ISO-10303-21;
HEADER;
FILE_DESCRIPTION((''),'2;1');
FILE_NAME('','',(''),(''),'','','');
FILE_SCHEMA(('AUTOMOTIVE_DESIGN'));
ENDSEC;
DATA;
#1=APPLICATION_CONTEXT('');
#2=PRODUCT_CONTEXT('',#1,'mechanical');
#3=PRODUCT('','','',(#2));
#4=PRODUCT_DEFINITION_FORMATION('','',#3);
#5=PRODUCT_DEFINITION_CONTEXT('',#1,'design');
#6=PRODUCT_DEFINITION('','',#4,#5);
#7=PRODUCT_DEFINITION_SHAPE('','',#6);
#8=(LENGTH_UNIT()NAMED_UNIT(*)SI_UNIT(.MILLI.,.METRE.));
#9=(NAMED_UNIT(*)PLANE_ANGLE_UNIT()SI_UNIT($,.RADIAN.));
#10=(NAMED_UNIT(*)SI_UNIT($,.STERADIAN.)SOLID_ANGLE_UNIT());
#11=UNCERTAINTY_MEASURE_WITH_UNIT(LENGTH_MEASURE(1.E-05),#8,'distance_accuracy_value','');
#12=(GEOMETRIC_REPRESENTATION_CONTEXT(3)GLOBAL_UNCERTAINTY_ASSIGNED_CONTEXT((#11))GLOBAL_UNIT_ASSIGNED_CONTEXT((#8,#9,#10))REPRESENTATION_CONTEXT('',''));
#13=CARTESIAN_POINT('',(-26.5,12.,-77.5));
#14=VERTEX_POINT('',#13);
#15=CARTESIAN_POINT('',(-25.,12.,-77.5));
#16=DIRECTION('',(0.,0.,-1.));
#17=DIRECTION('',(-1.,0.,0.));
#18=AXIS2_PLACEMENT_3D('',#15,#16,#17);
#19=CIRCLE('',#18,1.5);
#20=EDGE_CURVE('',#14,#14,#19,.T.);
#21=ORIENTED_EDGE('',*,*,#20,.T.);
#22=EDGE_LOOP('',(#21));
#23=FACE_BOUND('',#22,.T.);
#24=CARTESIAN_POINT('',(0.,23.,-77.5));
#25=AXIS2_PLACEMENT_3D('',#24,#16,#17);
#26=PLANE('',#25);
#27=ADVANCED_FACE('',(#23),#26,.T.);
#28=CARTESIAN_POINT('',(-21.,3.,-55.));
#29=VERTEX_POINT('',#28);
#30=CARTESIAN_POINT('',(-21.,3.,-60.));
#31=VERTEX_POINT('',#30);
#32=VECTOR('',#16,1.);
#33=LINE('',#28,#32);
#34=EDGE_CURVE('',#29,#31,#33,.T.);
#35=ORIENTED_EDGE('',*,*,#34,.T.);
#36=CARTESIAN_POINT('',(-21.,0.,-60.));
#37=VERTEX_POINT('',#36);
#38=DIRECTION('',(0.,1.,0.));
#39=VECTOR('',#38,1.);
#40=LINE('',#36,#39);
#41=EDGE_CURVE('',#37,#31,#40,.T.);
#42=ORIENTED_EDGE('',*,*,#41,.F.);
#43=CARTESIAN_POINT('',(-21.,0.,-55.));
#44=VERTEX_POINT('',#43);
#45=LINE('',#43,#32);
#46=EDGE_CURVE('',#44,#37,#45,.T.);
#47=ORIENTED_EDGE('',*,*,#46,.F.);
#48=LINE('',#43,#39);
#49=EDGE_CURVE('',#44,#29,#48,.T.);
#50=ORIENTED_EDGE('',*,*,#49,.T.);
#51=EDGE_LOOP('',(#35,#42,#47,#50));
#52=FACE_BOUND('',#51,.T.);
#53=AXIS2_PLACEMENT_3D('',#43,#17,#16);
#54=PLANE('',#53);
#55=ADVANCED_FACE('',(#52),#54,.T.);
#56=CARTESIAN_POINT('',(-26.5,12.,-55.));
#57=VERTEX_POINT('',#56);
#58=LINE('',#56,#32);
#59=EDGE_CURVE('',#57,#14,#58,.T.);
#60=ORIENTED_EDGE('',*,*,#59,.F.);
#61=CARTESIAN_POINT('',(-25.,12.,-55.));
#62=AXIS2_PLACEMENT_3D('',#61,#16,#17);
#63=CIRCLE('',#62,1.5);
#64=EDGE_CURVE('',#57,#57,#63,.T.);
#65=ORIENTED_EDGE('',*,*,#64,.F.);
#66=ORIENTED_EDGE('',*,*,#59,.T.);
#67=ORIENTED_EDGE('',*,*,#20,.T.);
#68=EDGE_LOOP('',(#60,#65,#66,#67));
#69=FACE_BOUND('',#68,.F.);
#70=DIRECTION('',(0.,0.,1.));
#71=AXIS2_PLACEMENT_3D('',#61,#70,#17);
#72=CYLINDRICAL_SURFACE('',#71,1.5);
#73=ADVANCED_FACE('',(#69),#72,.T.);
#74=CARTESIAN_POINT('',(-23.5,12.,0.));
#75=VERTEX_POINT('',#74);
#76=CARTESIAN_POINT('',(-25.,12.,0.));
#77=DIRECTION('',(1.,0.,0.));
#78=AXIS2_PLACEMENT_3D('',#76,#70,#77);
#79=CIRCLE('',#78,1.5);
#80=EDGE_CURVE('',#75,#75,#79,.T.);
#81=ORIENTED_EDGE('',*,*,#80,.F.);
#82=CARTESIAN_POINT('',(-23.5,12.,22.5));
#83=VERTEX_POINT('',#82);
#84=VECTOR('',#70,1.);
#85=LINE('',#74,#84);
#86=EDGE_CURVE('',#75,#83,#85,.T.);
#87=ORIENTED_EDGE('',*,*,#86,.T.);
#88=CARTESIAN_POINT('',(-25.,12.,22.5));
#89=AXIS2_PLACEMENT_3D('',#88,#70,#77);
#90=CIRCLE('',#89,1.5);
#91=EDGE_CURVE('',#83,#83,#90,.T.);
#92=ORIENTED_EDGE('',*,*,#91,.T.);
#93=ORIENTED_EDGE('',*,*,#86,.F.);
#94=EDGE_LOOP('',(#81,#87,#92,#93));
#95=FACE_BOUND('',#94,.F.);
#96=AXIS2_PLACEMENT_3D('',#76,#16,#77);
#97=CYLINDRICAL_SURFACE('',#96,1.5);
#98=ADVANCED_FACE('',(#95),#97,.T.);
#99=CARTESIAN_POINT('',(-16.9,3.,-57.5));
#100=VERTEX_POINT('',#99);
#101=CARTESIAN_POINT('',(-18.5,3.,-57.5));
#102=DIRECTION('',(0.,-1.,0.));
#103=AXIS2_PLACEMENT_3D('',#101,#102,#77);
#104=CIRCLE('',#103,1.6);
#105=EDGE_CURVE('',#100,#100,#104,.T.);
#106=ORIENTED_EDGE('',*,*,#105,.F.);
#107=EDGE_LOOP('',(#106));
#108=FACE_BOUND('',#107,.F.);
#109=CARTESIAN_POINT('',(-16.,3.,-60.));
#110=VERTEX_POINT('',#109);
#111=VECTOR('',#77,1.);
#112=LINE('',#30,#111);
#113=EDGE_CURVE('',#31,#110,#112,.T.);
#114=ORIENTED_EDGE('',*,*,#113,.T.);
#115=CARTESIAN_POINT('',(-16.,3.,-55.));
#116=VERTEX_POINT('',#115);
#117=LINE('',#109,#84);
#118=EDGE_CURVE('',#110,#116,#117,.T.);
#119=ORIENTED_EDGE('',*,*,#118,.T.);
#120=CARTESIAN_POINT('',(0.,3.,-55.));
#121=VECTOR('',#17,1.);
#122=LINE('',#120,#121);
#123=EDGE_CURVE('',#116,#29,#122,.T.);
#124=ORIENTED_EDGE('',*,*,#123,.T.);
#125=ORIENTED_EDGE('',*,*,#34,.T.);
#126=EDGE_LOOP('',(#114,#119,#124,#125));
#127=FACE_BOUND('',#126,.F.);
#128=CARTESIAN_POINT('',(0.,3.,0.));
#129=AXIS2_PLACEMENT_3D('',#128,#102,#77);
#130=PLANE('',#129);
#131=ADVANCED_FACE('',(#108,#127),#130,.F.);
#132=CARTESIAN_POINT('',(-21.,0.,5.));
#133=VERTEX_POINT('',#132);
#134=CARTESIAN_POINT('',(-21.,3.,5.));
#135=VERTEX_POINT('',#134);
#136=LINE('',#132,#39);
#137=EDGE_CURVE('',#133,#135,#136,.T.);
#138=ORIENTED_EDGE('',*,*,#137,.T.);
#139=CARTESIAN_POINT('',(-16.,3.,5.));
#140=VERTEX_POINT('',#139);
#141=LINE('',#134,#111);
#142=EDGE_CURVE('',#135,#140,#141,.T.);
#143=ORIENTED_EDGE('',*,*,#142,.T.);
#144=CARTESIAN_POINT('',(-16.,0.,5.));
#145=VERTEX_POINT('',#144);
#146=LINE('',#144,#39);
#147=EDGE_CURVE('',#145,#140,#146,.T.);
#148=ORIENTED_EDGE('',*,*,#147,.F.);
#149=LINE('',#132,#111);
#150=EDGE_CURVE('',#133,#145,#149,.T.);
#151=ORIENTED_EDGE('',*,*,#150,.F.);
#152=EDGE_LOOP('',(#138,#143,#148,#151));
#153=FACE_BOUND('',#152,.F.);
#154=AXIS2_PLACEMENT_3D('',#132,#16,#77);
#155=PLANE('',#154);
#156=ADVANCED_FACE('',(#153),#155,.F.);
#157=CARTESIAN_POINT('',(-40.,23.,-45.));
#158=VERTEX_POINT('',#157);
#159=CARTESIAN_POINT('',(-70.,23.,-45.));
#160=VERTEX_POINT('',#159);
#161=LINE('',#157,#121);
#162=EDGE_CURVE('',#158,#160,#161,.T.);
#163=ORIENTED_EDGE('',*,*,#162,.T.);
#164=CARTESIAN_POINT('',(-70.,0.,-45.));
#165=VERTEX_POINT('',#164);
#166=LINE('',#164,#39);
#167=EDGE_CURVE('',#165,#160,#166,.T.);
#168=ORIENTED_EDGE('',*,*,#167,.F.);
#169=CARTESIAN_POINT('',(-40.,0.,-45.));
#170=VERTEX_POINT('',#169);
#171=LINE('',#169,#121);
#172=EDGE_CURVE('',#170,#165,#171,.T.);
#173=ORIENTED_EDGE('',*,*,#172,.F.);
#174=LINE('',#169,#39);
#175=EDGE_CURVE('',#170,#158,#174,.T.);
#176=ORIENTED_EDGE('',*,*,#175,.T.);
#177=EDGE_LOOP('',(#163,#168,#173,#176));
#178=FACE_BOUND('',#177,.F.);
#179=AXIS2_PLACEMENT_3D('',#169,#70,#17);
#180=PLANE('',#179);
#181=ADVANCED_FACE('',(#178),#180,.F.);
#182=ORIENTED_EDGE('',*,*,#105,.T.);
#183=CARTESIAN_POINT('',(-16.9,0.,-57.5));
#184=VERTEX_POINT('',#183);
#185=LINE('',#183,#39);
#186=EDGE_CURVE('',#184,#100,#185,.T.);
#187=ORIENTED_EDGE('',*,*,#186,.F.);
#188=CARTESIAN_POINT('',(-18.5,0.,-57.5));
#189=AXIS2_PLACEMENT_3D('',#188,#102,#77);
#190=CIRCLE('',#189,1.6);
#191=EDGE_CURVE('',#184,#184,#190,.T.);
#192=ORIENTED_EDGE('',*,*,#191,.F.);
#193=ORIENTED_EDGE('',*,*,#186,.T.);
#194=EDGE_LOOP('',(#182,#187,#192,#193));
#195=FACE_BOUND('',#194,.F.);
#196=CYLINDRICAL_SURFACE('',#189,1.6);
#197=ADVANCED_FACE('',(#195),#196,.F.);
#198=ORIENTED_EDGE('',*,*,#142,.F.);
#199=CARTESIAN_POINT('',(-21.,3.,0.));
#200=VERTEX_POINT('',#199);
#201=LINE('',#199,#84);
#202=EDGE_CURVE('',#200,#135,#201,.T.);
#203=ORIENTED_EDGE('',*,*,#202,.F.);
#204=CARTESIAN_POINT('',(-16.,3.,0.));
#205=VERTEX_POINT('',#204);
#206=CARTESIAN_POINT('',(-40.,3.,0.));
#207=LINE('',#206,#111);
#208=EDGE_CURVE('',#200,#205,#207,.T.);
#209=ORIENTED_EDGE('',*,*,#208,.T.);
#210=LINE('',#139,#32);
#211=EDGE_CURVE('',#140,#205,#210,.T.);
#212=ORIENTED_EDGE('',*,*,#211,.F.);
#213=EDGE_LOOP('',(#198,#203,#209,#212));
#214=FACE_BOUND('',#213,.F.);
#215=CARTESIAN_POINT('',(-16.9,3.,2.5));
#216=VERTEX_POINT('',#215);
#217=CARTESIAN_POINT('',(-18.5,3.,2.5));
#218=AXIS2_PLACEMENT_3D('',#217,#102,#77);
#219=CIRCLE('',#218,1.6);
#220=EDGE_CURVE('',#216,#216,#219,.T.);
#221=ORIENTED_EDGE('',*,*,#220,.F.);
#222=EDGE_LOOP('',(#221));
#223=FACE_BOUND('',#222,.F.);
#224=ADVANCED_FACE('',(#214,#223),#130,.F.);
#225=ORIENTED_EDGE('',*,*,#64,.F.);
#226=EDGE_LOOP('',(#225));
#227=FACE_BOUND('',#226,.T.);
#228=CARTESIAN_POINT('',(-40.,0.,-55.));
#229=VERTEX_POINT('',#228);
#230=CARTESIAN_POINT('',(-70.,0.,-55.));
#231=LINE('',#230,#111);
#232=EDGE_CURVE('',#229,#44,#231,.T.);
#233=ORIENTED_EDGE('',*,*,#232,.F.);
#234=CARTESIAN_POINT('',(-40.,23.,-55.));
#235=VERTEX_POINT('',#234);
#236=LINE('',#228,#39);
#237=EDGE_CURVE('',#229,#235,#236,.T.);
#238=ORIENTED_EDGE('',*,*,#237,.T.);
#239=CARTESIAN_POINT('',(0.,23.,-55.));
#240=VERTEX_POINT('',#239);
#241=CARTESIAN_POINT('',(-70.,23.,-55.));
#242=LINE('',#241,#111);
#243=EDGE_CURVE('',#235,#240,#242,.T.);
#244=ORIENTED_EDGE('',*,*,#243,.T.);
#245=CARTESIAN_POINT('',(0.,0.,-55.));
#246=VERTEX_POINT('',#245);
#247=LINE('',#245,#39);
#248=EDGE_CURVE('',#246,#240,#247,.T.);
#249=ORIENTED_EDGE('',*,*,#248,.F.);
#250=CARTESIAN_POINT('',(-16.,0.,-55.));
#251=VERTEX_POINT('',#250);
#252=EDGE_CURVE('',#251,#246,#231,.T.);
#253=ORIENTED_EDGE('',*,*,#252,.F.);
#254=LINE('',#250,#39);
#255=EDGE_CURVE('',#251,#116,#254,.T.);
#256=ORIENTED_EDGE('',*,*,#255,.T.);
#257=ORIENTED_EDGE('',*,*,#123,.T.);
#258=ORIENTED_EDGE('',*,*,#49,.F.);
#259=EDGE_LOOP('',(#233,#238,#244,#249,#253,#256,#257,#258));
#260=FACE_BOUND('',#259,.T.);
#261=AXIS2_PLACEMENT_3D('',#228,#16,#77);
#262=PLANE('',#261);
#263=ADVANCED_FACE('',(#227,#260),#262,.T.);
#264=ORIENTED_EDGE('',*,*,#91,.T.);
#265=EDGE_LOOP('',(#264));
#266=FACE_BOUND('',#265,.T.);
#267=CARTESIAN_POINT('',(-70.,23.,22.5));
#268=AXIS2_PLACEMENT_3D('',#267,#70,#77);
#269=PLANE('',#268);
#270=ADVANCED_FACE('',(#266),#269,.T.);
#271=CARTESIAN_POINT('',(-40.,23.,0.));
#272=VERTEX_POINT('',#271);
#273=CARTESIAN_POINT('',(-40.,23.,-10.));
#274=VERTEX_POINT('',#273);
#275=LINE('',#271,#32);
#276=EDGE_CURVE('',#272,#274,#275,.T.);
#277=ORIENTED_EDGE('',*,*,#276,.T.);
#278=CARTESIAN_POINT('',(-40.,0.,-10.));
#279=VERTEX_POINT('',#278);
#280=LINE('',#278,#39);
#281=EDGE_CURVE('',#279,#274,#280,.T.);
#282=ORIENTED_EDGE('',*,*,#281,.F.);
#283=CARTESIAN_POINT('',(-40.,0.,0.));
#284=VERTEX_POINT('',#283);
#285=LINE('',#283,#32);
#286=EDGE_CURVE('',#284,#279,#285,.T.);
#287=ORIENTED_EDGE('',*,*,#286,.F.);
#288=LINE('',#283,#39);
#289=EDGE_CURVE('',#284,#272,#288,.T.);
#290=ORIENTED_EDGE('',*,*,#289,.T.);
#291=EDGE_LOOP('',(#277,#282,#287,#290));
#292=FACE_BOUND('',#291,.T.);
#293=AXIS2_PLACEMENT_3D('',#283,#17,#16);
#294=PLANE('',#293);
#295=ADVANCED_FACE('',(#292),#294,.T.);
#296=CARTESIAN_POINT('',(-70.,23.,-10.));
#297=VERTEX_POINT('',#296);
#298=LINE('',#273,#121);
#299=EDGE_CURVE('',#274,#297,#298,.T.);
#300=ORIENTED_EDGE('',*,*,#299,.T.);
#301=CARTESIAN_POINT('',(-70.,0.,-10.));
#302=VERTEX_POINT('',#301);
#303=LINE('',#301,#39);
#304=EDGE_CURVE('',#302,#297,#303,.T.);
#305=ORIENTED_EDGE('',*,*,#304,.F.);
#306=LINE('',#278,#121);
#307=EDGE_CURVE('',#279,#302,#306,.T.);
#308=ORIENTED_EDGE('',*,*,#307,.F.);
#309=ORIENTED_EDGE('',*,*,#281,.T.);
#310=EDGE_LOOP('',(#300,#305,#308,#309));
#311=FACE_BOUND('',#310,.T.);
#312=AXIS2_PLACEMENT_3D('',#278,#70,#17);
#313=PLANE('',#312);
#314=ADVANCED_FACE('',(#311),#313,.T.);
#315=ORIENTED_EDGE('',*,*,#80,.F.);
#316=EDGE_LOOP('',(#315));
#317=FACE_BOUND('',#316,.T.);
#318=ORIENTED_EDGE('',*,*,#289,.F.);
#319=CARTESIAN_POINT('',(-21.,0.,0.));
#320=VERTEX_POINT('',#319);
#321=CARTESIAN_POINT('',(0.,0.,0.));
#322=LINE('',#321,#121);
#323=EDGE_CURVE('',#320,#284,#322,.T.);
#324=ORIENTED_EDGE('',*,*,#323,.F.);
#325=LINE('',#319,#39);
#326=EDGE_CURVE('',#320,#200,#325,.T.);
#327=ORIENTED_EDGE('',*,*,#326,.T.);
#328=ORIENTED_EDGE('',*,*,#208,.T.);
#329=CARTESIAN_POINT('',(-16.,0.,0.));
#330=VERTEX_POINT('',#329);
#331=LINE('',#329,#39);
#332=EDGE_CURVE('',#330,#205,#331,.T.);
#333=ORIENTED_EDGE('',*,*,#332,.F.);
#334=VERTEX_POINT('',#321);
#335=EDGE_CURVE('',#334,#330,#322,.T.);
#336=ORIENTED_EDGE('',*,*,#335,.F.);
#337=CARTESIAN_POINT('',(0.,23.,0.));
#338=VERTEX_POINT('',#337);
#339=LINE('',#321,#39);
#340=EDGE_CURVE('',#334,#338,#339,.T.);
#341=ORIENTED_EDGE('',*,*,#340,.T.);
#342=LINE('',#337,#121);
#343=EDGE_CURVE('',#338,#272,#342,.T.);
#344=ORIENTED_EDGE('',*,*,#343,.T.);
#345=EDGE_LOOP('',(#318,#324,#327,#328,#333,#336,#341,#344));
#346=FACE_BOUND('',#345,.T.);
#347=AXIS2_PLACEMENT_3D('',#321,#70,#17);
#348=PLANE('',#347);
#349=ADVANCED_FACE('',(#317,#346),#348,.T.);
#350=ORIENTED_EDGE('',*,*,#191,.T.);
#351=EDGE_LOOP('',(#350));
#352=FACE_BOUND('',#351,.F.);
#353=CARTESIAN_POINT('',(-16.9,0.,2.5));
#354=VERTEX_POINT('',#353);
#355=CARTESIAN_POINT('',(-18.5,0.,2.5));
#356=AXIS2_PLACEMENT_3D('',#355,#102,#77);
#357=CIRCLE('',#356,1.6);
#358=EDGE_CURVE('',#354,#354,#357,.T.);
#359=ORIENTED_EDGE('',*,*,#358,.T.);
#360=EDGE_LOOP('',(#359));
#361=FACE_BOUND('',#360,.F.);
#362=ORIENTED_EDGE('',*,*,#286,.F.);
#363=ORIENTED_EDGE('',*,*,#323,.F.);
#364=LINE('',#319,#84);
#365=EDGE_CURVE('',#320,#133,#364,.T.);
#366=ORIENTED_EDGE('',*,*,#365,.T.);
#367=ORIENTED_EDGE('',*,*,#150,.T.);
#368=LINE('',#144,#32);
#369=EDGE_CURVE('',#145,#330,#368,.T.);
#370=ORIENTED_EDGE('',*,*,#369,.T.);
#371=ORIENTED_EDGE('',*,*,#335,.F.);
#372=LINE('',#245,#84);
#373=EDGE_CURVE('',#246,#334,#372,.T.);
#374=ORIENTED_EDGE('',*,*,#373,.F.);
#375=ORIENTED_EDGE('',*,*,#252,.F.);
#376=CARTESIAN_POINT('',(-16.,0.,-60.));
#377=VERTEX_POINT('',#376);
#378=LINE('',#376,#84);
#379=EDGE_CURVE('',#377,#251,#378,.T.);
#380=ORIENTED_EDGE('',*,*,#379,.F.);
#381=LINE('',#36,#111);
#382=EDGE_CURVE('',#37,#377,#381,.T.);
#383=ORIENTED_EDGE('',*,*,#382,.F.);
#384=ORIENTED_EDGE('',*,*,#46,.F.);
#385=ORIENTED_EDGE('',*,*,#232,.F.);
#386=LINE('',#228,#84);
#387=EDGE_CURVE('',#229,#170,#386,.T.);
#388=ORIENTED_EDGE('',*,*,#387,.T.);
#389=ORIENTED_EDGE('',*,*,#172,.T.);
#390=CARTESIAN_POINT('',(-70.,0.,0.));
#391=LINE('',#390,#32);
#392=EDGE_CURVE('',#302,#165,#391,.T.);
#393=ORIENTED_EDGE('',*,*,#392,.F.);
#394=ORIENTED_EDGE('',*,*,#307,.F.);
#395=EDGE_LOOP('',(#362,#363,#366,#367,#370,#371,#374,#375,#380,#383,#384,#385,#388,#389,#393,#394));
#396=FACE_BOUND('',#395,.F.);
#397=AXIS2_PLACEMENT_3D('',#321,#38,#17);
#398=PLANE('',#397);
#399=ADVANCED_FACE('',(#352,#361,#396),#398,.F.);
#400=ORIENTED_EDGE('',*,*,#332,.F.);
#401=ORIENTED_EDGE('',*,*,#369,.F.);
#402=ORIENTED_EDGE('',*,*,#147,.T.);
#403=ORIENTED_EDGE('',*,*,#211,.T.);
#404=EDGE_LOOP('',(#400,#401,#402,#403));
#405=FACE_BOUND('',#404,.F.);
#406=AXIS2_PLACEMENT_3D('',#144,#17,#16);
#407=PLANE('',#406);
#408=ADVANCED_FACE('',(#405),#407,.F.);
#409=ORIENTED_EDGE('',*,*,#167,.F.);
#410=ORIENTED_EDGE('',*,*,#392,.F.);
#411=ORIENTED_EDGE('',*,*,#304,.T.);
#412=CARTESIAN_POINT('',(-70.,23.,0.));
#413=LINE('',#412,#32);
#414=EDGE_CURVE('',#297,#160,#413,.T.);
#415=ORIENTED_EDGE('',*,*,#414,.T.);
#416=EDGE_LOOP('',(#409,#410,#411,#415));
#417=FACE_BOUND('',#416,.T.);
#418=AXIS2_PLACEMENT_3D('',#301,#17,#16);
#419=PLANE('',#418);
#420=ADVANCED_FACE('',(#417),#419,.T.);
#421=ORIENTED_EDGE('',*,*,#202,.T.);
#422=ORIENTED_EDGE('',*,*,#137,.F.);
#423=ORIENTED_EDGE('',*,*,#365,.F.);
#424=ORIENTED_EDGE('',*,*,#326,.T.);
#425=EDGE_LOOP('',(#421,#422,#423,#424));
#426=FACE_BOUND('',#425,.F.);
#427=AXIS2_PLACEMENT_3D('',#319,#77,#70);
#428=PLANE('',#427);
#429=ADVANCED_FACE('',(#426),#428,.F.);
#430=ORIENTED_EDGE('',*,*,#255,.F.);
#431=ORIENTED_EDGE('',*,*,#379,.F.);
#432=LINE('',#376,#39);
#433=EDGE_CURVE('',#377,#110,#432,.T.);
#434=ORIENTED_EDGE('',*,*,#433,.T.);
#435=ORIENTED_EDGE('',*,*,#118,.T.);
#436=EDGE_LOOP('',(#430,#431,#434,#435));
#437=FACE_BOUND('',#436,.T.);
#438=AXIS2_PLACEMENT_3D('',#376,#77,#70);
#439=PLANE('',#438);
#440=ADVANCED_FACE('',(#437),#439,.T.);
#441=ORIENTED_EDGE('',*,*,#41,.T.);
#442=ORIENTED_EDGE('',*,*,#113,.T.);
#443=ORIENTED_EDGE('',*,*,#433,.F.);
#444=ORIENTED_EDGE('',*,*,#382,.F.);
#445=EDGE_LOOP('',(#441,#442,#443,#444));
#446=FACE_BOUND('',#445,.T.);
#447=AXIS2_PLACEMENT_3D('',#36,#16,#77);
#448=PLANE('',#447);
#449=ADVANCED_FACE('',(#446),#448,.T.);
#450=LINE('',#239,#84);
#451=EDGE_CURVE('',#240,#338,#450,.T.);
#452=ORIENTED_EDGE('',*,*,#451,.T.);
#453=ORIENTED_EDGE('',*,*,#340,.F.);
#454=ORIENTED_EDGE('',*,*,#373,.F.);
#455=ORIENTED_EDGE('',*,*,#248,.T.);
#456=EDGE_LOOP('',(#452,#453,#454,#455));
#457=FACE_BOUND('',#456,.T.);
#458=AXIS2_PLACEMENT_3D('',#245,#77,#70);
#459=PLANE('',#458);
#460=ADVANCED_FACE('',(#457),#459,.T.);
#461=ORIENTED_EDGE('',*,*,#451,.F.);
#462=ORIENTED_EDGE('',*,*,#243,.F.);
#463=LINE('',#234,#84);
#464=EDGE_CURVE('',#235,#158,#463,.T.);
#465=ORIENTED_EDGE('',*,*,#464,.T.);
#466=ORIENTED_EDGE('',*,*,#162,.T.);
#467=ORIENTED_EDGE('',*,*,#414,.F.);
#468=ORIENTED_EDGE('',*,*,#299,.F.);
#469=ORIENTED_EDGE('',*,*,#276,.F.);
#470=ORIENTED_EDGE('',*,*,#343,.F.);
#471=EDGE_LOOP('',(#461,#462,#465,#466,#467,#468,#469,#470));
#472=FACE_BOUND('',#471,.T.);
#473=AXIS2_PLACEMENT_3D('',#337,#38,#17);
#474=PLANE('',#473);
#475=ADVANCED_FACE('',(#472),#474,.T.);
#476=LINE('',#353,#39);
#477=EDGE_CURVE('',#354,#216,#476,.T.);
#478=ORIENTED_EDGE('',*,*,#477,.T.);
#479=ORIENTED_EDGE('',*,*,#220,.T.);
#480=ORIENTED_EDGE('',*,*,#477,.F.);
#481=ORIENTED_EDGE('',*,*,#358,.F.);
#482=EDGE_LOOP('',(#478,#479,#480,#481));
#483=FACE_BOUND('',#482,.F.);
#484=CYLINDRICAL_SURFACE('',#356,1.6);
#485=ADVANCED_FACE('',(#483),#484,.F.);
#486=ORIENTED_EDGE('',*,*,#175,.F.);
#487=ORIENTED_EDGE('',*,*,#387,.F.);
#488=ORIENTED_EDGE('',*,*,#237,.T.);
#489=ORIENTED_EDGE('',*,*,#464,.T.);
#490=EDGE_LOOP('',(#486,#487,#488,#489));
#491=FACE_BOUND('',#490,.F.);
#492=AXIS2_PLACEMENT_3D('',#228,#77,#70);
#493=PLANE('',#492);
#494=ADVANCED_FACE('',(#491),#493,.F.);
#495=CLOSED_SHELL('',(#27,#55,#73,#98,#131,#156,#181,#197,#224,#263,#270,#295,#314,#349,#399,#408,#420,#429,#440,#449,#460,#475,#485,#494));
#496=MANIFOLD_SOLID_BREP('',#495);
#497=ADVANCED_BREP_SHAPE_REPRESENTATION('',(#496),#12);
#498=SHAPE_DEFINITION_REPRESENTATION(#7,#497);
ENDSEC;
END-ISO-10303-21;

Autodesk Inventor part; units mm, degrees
ref_plane "YZ Plane" through (0, 0, 0) normal (1, 0, 0) x (0, 1, 0)
ref_plane "XZ Plane" through (0, 0, 0) normal (0, 1, 0) x (-1, 0, 0)
ref_plane "XY Plane" through (0, 0, 0) normal (0, 0, 1) x (1, 0, 0)
sketch "スケッチ1" plane through (0, 0, 0) normal (0, 1, 0) x (-1, 0, 0)
  line L0 (0, 0) -> (70, 0)
  line L1 (70, 0) -> (70, -55)
  line L2 (70, -55) -> (0, -55)
  line L3 (0, -55) -> (0, 0)
  line L4 (60, 0) -> (55, 0)
  line L5 (60, -55) -> (55, -55)
  line L6 (70, -55) -> (40, -55)
  line L7 (40, -55) -> (40, -45)
  line L8 (40, -45) -> (70, -45)
  line L9 (70, -45) -> (70, -55)
  line L10 (70, 0) -> (40, 0)
  line L11 (40, 0) -> (40, -10)
  line L12 (40, -10) -> (70, -10)
  line L13 (70, -10) -> (70, 0)
  point P0 (40, 0)
  dimension "d0" = 70
  dimension "d1" = 55
  dimension "d42" = 30
  dimension "d43" = 10
  dimension "d44" = 30
  dimension "d45" = 10
extrude "押し出し1" add sketch "スケッチ1" along normal blind 23 contours L0 L11 L12 L1 L8 L7 L2 L3
sketch "スケッチ2" plane through (0, 0, 0) normal (0, -1, 0) x (1, 0, 0)
  line L0 (-40, 0) -> (0, 0) projected
  line L1 (-16, 0) -> (-21, 0)
  line L2 (-21, 0) -> (-21, 5)
  line L3 (-21, 5) -> (-16, 5)
  line L4 (-16, 5) -> (-16, 0)
  line L5 (0, 0) -> (0, -55) projected
  line L6 (0, -55) -> (-40, -55) projected
  line L7 (-16, -55) -> (-21, -55)
  line L8 (-21, -55) -> (-21, -60)
  line L9 (-21, -60) -> (-16, -60)
  line L10 (-16, -60) -> (-16, -55)
  circle A0 centre (-18.5, 2.5) radius 1.6
  circle A1 centre (-18.5, -57.5) radius 1.6
  point P0 (-70, 0)
  point P1 (-70, -55)
  point P2 (-21, 0)
  dimension "d16" = 5
  dimension "d17" = 5
  dimension "d20" = 16
  dimension "d21" = 5
  dimension "d22" = 5
  dimension "d23" = 16
  dimension "d24" = 3.2
  dimension "d25" = 3.2
  dimension "d26" = 2.5
  dimension "d27" = 2.5
  dimension "d28" = 2.5
  dimension "d29" = 2.5
extrude "押し出し2" add sketch "スケッチ2" against normal blind 3
sketch "スケッチ3" plane through (-70, 23, 0) normal (0, 0, 1) x (1, 0, 0)
  circle A0 centre (45, -11) radius 1.5
  line L0 (70, -23) -> (70, 0) projected
  line L1 (30, -23) -> (49, -23) projected
  point P0 (0, -23)
  dimension "d32" = 3
  dimension "d33" = 25
  dimension "d34" = 12
sketch "スケッチ4" plane through (0, 23, -55) normal (0, 0, -1) x (-1, 0, 0)
  circle A0 centre (25, -11) radius 1.5
  line L0 (0, -23) -> (0, 0) projected
  line L1 (21, -23) -> (16, -23) projected
  point P0 (70, -23)
  dimension "d35" = 3
  dimension "d36" = 25
  dimension "d37" = 12
extrude "押し出し3" add sketch "スケッチ3" along normal blind 22.5
extrude "押し出し4" add sketch "スケッチ4" along normal blind 22.5
properties part number "motor"
